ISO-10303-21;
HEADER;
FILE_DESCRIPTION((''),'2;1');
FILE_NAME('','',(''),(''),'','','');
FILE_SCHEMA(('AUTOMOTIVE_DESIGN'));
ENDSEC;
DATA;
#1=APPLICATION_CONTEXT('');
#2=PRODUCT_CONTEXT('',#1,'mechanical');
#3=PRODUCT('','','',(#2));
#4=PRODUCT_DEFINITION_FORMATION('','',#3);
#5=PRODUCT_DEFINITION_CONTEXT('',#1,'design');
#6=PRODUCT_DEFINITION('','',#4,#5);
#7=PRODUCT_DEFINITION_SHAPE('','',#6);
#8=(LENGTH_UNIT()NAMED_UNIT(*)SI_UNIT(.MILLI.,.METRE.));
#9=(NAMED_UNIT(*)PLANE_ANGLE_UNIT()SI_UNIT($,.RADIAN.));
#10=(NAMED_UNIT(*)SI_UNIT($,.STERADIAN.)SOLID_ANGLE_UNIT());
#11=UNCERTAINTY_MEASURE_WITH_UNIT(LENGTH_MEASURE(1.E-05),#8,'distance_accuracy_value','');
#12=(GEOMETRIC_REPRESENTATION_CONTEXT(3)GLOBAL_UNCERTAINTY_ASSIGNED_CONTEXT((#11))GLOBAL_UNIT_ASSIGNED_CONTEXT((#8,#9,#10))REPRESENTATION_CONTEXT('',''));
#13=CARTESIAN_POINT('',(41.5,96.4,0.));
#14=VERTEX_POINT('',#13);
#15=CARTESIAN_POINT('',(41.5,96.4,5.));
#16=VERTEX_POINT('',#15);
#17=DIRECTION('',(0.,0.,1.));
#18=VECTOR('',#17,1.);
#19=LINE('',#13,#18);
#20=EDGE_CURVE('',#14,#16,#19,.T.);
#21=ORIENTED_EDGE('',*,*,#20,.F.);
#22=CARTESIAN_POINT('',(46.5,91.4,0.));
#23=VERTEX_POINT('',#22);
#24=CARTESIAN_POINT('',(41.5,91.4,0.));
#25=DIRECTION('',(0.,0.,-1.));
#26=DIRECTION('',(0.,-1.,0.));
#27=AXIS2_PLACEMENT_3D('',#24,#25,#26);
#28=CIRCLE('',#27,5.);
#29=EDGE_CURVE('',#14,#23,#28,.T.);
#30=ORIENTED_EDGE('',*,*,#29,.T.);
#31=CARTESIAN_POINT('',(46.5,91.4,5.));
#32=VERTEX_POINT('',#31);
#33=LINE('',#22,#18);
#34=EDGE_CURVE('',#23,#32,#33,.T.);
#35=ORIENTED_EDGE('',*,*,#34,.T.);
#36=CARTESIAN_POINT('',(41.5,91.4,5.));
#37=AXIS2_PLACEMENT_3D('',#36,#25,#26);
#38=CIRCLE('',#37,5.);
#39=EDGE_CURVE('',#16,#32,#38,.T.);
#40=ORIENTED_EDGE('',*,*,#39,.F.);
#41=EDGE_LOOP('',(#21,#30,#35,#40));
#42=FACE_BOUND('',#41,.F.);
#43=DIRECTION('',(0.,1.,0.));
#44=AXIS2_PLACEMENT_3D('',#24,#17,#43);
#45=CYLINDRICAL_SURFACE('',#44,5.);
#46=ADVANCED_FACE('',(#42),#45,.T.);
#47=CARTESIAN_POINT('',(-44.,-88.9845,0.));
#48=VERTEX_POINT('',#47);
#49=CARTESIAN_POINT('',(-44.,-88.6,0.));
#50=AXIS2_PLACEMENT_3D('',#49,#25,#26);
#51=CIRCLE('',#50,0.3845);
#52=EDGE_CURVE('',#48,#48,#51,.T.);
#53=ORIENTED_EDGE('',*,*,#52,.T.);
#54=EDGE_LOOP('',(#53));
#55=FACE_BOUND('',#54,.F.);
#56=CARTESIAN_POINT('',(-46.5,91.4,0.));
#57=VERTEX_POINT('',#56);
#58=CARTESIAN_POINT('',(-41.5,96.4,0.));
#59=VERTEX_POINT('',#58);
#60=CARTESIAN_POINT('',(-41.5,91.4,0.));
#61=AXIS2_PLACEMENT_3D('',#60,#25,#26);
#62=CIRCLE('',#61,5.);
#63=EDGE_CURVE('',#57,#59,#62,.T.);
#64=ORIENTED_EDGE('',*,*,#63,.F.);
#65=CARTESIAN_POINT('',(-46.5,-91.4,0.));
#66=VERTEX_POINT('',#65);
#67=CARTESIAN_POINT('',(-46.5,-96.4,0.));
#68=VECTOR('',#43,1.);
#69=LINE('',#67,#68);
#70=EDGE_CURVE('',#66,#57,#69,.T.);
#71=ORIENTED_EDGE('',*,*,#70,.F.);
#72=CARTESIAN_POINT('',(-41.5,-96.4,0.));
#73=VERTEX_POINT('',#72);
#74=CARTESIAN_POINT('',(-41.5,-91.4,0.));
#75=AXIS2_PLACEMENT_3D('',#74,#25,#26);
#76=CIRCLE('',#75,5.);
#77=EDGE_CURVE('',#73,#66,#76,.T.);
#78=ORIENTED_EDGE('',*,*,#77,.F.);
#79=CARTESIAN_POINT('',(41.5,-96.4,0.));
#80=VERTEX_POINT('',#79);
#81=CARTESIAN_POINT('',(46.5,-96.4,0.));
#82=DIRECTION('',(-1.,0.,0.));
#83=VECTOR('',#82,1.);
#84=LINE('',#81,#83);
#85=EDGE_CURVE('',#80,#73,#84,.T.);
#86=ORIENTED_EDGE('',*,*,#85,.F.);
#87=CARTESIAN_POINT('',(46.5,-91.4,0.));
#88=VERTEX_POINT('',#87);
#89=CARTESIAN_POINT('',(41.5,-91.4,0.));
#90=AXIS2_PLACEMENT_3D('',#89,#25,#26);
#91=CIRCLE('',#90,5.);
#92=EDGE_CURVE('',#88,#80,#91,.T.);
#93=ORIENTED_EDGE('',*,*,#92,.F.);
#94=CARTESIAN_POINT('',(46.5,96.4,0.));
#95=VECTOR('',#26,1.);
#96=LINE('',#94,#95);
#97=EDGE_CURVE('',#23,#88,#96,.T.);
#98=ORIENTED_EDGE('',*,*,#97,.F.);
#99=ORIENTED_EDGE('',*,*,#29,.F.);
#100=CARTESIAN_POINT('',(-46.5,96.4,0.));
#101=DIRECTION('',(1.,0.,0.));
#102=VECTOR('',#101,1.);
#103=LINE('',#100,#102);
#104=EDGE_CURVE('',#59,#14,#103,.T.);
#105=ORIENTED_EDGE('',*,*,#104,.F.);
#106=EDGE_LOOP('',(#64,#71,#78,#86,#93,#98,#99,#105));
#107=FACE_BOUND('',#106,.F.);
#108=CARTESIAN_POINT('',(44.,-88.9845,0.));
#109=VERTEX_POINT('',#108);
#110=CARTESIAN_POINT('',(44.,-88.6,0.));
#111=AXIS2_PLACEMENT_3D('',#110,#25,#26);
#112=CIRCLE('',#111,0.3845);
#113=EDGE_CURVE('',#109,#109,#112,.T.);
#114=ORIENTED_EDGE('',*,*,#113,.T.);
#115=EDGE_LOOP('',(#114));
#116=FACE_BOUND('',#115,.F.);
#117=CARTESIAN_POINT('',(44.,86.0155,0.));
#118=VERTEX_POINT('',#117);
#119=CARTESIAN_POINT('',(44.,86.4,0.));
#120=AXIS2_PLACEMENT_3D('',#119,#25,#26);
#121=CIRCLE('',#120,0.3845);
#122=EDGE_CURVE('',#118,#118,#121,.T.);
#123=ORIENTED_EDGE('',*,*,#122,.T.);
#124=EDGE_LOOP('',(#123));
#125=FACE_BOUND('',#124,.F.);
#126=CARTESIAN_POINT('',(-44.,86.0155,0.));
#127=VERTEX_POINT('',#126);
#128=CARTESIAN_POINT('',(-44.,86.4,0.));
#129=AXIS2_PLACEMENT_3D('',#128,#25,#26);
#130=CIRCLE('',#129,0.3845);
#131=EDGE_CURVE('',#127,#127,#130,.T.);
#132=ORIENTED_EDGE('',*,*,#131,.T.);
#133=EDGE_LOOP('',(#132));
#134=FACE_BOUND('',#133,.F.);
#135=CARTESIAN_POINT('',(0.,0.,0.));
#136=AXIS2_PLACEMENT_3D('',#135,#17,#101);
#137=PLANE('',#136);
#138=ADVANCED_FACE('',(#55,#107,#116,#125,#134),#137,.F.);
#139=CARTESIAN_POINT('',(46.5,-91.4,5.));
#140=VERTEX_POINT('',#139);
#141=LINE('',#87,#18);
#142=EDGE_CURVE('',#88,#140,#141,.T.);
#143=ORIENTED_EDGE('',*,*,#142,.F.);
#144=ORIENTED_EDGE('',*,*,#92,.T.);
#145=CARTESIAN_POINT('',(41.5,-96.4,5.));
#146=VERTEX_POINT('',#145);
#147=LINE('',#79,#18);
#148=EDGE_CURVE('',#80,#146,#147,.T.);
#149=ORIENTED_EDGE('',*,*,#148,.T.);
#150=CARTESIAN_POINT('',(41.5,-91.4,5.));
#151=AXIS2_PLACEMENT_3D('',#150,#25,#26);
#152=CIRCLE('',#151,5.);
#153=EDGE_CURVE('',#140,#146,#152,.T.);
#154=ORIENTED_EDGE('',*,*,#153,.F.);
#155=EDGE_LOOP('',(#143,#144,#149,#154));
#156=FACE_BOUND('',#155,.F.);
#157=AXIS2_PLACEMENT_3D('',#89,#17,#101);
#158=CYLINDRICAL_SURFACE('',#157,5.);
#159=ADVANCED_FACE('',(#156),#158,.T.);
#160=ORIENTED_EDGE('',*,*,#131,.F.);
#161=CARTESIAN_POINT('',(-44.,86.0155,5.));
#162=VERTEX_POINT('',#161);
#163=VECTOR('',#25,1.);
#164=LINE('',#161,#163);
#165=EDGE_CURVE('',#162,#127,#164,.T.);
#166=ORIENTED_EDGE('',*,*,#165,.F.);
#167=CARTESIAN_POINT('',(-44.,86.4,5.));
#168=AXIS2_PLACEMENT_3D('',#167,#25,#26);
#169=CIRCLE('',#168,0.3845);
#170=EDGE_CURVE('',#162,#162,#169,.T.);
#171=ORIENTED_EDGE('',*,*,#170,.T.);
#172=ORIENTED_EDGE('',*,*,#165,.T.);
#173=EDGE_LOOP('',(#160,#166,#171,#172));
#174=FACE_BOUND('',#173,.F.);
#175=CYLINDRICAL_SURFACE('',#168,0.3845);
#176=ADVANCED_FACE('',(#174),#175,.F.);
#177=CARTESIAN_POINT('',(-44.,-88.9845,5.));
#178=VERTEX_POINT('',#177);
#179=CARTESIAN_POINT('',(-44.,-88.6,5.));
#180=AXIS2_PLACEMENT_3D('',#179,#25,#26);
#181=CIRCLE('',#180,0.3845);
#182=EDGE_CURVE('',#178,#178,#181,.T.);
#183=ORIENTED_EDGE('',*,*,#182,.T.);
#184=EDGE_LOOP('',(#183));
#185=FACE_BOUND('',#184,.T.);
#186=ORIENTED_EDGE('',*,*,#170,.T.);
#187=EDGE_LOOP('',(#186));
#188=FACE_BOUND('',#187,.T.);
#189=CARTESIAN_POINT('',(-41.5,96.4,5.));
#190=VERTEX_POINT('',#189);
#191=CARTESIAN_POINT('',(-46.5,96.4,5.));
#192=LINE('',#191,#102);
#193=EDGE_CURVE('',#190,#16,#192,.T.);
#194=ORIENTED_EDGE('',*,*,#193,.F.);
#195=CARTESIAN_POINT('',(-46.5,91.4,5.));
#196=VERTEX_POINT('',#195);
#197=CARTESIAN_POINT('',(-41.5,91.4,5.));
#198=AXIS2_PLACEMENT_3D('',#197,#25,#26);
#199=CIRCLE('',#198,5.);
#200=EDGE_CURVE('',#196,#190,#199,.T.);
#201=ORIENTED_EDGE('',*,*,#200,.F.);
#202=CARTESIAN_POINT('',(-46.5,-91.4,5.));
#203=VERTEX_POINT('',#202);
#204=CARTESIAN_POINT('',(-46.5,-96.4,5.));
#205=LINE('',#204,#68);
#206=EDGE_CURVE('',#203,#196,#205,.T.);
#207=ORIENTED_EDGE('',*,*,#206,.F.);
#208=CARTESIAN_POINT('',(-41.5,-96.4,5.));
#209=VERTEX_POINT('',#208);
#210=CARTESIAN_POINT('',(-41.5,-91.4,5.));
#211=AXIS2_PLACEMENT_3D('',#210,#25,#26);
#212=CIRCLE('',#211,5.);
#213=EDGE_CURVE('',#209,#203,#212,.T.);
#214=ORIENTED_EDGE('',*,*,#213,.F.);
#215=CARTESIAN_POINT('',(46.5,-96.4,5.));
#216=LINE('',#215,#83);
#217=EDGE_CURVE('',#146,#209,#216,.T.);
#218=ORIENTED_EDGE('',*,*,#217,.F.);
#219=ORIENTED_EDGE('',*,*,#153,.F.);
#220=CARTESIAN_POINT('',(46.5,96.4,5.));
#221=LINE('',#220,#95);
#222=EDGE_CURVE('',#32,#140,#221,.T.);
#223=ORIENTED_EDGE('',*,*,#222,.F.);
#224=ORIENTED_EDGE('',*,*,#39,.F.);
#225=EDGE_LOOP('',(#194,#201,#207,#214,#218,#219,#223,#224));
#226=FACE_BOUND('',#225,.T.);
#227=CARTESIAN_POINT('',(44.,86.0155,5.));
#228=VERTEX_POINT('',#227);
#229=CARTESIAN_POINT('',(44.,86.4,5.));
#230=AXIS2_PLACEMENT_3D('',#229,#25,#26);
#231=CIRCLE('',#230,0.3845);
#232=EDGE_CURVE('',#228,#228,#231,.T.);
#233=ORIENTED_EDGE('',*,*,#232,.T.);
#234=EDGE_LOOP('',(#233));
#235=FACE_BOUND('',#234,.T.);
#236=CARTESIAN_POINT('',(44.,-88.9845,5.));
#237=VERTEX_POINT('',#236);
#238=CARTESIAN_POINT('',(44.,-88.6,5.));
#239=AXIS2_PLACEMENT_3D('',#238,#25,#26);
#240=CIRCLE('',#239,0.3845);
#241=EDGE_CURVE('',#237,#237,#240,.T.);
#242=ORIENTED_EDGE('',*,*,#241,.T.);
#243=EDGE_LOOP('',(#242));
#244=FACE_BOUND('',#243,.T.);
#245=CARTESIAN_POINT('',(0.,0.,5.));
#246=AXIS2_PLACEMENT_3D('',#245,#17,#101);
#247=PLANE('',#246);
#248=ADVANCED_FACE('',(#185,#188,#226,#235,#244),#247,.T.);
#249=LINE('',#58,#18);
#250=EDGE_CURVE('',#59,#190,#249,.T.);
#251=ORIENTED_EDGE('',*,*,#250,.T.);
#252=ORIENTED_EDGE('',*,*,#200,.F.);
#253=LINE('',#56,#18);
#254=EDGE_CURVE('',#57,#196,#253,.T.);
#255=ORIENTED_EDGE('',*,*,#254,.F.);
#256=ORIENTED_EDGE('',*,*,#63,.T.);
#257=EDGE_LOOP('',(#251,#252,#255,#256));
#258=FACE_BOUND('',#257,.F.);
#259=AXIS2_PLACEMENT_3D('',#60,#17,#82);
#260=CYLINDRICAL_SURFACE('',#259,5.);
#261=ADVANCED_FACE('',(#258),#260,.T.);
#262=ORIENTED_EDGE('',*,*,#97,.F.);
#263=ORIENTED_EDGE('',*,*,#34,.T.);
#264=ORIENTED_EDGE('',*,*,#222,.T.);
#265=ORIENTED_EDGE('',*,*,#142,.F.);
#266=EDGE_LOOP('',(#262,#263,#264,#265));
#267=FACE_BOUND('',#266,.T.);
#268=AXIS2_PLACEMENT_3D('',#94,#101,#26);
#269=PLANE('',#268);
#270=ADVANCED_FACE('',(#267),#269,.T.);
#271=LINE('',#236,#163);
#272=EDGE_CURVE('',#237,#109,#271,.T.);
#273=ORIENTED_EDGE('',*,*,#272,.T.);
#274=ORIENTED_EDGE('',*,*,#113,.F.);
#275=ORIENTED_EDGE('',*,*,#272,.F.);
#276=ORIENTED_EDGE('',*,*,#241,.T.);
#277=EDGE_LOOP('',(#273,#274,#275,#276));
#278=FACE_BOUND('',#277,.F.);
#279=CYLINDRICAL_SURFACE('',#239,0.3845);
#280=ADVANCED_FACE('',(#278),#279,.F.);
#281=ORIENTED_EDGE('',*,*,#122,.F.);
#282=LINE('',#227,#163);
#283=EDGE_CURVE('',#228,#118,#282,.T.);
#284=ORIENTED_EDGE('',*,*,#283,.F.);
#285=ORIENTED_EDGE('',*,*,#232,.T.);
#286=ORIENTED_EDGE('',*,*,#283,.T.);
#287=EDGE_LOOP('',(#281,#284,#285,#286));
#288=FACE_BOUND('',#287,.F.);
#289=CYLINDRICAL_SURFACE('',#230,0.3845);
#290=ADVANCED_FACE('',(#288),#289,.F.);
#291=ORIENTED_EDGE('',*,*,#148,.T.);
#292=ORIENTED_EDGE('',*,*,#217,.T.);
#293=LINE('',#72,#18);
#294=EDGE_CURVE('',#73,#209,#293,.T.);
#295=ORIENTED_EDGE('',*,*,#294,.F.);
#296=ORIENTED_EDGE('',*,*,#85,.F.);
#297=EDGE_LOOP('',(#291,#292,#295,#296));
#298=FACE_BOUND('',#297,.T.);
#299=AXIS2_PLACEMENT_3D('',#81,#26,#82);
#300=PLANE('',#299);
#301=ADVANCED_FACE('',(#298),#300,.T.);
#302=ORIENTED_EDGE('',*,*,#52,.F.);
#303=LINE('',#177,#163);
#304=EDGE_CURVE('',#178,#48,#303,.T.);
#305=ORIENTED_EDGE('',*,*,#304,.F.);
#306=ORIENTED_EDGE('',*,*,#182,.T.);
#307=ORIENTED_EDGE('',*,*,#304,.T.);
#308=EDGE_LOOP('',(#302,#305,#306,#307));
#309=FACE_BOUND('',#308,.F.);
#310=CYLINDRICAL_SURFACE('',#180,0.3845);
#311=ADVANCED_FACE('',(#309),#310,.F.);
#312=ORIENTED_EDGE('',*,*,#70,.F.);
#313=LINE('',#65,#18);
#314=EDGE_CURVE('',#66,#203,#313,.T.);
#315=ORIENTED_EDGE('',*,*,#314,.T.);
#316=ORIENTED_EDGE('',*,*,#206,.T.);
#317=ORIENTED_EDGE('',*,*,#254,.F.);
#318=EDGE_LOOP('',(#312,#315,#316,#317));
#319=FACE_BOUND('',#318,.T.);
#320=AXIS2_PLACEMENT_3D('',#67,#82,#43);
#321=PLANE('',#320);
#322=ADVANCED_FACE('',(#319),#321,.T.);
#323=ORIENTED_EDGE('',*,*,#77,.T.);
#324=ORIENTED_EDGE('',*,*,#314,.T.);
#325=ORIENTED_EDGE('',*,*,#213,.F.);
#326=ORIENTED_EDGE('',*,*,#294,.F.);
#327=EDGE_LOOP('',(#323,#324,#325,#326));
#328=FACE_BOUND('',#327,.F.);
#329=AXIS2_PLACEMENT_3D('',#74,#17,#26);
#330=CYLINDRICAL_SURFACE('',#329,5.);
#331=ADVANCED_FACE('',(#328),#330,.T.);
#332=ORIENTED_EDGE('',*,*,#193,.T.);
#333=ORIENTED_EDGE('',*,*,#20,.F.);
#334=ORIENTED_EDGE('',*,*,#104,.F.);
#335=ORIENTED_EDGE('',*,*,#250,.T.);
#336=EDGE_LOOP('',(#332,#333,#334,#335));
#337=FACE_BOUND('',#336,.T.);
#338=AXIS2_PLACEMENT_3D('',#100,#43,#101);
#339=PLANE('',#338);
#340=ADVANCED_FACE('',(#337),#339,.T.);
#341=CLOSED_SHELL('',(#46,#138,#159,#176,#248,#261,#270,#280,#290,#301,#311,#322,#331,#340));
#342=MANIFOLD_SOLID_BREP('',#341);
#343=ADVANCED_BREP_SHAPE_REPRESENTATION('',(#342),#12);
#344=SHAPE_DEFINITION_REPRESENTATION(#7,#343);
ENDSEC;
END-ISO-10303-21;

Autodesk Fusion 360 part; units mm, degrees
sketch "Boceto1" plane through (0, 0, 0) normal (0, 0, 1) x (1, 0, 0)
  line L0 (46.5, -96.4) -> (-46.5, -96.4)
  line L1 (-46.5, -96.4) -> (-46.5, 96.4)
  line L2 (-46.5, 96.4) -> (46.5, 96.4)
  line L3 (46.5, 96.4) -> (46.5, -96.4)
  line L4 (46.5, -96.4) -> (-46.5, 96.4) construction
  line L5 (-46.5, -96.4) -> (46.5, 96.4) construction
  dimension "d1" = 93
  dimension "d2" = 192.8
extrude "Extruir1" add sketch "Boceto1" along normal blind 5
fillet "Empalme1" radius 5 1 edges at (-46.5, 96.4, 2.5)
fillet "Empalme2" radius 5 1 edges at (46.5, 96.4, 2.5)
fillet "Empalme3" radius 5 1 edges at (46.5, -96.4, 2.5)
fillet "Empalme4" radius 5 1 edges at (-46.5, -96.4, 2.5)
sketch "Boceto2" plane through (0, 0, 5) normal (0, 0, 1) x (-1, 0, 0)
  arc A0 (46.5, 91.4) -> (41.5, 96.4) centre (41.5, 91.4) ccw
  line L0 (41.5, 96.4) -> (-41.5, 96.4)
  arc A1 (-41.5, 96.4) -> (-46.5, 91.4) centre (-41.5, 91.4) ccw
  line L1 (-46.5, 91.4) -> (-46.5, -91.4)
  arc A2 (-46.5, -91.4) -> (-41.5, -96.4) centre (-41.5, -91.4) ccw
  line L2 (-41.5, -96.4) -> (41.5, -96.4)
  arc A3 (41.5, -96.4) -> (46.5, -91.4) centre (41.5, -91.4) ccw
  line L3 (46.5, -91.4) -> (46.5, 91.4)
  line L4 (-46.5, -96.4) -> (-46.5, -86.4)
  line L5 (-46.5, -86.4) -> (-44, -86.4)
  line L6 (-44, -86.4) -> (44, -86.4)
  line L7 (44, -86.4) -> (44, 88.6)
  line L8 (44, 88.6) -> (-44, 88.6)
  line L9 (-44, 88.6) -> (-44, -86.4)
  dimension "d13" = 10
  dimension "d14" = 2.5
  dimension "d15" = 88
  dimension "d16" = 175
  dimension "d17" = 88
hole "Agujero1" at (-44, -88.6, 5) at (-44, 86.4, 5) at (44, 86.4, 5) at (44, -88.6, 5) direction (0, 0, -1) diameter 0.769 depth 5 tip angle 118
